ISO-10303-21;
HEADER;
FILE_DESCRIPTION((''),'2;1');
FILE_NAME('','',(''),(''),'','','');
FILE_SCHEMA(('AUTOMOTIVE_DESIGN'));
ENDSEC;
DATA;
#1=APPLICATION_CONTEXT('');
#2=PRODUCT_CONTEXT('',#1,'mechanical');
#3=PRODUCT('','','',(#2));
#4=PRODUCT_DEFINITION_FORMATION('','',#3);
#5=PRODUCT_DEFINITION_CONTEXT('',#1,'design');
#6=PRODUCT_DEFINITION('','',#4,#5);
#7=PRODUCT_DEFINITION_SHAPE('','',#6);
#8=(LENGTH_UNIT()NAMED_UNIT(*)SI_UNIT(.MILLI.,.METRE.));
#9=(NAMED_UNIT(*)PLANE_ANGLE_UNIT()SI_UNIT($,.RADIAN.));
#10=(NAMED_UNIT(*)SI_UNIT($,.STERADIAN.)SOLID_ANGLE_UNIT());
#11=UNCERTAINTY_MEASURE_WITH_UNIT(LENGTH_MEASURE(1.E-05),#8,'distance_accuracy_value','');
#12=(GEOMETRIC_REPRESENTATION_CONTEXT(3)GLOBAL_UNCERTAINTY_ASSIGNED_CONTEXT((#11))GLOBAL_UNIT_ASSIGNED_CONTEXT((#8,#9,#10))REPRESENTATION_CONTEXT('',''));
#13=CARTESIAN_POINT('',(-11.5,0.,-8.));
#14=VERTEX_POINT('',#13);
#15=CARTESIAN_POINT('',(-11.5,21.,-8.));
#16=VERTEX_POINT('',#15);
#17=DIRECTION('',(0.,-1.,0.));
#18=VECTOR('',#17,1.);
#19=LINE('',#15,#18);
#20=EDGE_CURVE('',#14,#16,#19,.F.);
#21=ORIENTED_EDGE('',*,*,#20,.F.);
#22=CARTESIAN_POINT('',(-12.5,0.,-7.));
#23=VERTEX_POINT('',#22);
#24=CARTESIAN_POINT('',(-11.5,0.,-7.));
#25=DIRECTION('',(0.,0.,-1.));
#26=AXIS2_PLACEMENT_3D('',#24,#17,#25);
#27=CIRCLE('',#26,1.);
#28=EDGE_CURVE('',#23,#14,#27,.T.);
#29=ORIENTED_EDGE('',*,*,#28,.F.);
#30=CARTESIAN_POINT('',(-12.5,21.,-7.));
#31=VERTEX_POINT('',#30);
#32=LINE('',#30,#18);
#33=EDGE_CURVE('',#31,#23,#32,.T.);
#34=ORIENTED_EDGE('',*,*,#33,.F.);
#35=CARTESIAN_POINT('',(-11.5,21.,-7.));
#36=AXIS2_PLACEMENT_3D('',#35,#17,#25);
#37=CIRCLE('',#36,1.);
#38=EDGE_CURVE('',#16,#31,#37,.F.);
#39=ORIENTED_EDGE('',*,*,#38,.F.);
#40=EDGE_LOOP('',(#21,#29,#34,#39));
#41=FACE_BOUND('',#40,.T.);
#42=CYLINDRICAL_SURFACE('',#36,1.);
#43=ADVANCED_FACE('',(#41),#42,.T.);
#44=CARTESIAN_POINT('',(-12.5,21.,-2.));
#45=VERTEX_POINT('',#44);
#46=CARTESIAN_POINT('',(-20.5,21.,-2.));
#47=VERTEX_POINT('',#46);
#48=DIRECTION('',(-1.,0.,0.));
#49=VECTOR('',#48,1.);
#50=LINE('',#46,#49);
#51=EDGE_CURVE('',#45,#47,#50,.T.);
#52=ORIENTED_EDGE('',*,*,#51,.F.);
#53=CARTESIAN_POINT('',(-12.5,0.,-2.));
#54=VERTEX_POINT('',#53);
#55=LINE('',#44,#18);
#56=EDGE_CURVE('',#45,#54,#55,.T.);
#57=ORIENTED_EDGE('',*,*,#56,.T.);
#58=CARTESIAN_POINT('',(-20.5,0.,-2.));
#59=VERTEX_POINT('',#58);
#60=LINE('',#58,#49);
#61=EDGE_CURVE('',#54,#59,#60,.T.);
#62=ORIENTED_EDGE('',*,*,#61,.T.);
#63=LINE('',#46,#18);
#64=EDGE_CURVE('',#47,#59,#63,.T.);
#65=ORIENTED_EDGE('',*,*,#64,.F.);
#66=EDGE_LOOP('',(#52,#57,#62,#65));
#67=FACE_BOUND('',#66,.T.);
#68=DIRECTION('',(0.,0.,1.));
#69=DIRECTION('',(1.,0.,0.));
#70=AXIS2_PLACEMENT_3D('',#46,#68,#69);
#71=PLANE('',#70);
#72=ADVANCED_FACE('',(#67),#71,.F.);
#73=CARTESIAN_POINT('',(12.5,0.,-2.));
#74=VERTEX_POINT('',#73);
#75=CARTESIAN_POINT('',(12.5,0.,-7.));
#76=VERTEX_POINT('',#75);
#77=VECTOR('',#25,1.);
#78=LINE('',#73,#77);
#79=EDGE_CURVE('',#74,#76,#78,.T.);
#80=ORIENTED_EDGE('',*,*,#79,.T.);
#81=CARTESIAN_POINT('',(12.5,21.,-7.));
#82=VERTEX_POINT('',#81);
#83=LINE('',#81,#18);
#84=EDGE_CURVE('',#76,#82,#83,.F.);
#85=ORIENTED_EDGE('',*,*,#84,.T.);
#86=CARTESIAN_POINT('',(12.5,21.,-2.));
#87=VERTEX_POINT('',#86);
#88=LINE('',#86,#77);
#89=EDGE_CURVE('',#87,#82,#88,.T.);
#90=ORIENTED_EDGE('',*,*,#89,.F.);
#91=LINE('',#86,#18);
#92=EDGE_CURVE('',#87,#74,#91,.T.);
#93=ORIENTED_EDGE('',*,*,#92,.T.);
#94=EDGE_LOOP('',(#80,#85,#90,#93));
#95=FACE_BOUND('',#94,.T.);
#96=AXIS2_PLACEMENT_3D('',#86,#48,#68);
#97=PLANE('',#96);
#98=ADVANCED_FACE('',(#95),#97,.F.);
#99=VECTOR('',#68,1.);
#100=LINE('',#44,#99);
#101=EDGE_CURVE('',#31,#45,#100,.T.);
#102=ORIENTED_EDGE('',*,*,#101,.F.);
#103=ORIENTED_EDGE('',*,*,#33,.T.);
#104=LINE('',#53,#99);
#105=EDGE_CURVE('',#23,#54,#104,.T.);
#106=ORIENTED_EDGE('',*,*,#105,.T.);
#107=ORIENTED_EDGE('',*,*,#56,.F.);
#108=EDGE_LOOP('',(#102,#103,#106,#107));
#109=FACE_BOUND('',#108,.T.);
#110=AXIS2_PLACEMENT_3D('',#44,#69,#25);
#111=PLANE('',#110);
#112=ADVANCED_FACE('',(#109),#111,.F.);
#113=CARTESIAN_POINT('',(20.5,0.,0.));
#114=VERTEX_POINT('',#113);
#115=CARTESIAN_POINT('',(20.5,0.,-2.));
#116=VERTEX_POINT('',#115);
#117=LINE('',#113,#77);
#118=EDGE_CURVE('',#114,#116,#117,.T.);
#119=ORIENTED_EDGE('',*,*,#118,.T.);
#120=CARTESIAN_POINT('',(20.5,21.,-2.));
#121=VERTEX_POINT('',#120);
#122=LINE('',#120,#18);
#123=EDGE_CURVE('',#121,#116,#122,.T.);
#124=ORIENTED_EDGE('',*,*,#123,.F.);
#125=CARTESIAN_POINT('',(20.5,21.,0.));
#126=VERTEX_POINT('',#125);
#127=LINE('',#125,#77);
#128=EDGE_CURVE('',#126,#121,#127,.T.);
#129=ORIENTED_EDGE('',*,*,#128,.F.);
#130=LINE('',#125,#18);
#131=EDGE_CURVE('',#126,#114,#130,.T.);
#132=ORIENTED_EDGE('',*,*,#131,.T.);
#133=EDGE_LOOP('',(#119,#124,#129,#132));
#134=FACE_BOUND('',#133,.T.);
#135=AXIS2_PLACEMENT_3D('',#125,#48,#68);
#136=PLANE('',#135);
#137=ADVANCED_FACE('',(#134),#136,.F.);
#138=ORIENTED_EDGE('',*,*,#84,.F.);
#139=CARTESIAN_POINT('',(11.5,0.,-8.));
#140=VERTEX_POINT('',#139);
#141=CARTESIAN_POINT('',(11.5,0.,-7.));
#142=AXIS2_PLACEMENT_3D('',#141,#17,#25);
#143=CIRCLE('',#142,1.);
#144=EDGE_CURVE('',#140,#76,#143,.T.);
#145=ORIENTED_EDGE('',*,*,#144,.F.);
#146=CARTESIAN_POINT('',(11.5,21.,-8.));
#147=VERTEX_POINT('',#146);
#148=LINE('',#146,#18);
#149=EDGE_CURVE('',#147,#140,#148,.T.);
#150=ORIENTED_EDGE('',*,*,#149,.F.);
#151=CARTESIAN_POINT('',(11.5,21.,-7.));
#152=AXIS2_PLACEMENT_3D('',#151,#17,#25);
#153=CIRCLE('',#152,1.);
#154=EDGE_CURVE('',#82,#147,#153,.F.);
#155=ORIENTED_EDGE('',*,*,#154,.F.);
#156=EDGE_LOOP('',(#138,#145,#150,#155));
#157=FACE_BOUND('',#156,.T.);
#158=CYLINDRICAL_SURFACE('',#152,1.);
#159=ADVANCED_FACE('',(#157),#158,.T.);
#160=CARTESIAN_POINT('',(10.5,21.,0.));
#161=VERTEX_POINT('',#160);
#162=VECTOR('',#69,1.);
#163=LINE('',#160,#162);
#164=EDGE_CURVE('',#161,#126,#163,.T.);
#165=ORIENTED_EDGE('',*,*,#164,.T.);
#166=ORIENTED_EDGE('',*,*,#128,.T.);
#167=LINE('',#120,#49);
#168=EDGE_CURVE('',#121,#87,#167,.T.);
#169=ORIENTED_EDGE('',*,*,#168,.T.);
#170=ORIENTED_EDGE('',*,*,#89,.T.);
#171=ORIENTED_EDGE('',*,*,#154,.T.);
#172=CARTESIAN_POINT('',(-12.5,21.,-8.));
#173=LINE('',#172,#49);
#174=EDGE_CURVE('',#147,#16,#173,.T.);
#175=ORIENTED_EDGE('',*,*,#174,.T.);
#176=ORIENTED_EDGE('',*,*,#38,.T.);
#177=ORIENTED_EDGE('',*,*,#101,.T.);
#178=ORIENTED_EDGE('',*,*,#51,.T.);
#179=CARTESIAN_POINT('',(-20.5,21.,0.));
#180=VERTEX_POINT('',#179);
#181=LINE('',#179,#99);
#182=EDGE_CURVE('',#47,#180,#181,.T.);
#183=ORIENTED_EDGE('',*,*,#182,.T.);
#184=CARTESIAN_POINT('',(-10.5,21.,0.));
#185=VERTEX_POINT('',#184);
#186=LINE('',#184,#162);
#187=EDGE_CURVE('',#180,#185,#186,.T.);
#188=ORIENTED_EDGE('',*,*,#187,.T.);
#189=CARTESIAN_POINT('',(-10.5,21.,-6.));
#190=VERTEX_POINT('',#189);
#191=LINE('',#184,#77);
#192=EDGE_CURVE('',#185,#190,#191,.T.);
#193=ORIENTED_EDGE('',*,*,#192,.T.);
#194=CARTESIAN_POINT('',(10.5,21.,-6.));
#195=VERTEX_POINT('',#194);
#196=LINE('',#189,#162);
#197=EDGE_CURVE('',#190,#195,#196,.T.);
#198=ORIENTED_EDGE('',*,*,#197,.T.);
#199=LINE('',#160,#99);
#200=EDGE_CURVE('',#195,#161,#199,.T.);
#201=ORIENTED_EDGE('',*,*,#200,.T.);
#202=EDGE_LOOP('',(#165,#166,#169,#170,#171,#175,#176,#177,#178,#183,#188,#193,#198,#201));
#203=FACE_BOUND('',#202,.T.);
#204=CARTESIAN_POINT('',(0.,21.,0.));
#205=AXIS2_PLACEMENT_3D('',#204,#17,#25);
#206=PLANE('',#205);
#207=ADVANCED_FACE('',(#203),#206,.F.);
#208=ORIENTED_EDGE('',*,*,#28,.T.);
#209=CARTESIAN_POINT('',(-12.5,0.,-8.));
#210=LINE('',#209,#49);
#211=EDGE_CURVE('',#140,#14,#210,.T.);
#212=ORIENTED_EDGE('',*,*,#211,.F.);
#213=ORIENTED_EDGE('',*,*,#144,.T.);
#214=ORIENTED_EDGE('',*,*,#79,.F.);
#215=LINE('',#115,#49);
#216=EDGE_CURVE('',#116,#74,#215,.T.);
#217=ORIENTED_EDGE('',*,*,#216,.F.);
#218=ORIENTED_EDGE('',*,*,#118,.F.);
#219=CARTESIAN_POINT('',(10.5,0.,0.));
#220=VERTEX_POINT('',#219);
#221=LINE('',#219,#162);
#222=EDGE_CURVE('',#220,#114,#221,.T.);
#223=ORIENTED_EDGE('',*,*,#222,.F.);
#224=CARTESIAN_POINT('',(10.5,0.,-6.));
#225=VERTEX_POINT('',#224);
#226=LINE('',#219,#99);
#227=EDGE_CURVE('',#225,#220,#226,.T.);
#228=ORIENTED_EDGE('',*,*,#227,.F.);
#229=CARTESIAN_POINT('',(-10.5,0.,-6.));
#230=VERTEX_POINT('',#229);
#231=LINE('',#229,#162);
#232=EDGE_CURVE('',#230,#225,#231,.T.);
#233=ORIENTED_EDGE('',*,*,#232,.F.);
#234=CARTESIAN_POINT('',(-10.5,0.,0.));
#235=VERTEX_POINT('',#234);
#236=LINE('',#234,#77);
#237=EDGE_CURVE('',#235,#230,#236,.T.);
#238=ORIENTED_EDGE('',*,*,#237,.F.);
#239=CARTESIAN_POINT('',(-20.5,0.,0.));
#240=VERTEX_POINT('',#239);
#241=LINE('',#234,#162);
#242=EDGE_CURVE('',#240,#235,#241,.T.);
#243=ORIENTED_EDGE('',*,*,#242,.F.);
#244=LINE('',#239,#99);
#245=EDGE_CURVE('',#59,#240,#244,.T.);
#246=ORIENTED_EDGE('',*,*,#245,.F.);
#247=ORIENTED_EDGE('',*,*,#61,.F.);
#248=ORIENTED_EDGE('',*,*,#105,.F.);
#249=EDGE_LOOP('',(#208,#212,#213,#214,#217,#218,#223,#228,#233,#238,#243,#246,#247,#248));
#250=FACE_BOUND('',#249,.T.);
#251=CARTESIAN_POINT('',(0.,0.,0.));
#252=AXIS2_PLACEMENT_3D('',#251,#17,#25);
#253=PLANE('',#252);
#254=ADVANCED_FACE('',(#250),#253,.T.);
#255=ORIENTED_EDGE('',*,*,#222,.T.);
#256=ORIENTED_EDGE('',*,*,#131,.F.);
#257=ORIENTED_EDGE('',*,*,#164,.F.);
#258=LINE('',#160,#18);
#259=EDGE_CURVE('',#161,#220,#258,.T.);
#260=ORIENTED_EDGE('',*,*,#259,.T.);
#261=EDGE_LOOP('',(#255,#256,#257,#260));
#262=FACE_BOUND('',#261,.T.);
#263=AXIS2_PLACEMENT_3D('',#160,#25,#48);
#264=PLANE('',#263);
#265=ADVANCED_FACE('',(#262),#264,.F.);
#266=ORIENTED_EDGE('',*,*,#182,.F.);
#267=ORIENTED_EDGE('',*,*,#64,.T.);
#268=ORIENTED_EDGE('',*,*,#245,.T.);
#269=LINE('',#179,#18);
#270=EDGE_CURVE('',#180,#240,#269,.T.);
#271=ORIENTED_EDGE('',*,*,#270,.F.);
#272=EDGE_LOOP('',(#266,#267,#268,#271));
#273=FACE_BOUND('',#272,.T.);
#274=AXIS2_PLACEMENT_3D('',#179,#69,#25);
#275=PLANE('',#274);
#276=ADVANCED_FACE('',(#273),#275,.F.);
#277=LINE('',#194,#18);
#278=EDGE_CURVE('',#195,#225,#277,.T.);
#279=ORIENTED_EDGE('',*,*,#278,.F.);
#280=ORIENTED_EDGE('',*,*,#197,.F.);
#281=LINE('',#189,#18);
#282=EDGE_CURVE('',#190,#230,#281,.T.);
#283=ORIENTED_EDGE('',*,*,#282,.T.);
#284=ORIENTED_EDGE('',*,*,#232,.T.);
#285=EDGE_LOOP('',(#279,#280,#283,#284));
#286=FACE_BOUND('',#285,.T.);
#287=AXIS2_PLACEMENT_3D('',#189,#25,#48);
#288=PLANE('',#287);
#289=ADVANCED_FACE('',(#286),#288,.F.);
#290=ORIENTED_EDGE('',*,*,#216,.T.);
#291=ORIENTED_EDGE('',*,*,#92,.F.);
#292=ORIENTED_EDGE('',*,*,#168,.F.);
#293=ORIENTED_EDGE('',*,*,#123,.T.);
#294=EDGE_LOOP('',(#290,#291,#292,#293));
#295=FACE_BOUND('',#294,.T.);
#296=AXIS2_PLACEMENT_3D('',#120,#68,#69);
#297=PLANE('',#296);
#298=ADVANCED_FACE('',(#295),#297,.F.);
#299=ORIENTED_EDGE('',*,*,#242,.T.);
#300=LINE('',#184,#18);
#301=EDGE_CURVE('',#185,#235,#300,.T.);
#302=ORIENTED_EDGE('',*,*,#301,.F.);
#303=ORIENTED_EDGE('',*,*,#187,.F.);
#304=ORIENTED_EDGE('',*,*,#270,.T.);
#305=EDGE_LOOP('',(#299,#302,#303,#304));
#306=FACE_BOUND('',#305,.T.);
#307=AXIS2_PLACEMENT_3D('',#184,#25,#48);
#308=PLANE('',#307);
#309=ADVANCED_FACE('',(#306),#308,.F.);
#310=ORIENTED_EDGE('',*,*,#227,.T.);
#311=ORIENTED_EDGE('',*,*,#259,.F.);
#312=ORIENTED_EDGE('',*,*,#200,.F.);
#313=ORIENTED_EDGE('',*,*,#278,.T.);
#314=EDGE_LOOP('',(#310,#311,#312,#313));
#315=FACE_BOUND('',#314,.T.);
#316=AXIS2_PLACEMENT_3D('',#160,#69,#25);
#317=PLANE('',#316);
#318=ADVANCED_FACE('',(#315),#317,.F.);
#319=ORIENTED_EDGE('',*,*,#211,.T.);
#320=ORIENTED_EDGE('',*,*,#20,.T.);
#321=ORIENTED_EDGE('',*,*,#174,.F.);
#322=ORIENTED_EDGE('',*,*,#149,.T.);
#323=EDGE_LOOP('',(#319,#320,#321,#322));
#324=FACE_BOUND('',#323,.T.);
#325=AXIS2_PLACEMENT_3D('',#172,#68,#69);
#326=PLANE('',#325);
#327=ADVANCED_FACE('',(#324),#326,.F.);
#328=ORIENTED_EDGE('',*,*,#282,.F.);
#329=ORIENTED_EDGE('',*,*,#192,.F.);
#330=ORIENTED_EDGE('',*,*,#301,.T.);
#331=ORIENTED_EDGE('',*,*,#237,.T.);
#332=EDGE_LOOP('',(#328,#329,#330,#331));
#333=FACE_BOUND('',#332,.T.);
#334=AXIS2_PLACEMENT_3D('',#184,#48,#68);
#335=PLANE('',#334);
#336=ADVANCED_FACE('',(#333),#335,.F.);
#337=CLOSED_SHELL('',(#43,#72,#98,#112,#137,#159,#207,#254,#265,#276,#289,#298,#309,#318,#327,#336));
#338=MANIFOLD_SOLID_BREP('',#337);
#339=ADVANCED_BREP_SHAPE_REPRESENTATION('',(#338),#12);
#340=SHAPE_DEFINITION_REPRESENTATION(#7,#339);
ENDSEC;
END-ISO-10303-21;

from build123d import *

# Parameters (mm, degrees)
BOSS_EXTRUDE1_DEPTH = 21
FILLET1_R           = 1


with BuildPart() as part:
    # Sketch1 → Boss-Extrude1 (new body)
    with BuildSketch(Plane(origin=(0, 0, 0), x_dir=(1, 0, 0), z_dir=(0, 1, 0))):
        Polygon((-10.5, 0), (-20.5, 0), (-20.5, 2), (-12.5, 2), (-12.5, 8), (12.5, 8), (12.5, 2), (20.5, 2), (20.5, 0), (10.5, 0), (10.5, 6), (-10.5, 6), align=None)
    extrude(amount=BOSS_EXTRUDE1_DEPTH)

    # Fillet1
    fillet1_edges = [part.edges().sort_by_distance(p)[0] for p in [
        (-12.5, 10.5, -8),
        (12.5, 10.5, -8),
    ]]
    fillet(fillet1_edges, radius=FILLET1_R)


solid = part.part
